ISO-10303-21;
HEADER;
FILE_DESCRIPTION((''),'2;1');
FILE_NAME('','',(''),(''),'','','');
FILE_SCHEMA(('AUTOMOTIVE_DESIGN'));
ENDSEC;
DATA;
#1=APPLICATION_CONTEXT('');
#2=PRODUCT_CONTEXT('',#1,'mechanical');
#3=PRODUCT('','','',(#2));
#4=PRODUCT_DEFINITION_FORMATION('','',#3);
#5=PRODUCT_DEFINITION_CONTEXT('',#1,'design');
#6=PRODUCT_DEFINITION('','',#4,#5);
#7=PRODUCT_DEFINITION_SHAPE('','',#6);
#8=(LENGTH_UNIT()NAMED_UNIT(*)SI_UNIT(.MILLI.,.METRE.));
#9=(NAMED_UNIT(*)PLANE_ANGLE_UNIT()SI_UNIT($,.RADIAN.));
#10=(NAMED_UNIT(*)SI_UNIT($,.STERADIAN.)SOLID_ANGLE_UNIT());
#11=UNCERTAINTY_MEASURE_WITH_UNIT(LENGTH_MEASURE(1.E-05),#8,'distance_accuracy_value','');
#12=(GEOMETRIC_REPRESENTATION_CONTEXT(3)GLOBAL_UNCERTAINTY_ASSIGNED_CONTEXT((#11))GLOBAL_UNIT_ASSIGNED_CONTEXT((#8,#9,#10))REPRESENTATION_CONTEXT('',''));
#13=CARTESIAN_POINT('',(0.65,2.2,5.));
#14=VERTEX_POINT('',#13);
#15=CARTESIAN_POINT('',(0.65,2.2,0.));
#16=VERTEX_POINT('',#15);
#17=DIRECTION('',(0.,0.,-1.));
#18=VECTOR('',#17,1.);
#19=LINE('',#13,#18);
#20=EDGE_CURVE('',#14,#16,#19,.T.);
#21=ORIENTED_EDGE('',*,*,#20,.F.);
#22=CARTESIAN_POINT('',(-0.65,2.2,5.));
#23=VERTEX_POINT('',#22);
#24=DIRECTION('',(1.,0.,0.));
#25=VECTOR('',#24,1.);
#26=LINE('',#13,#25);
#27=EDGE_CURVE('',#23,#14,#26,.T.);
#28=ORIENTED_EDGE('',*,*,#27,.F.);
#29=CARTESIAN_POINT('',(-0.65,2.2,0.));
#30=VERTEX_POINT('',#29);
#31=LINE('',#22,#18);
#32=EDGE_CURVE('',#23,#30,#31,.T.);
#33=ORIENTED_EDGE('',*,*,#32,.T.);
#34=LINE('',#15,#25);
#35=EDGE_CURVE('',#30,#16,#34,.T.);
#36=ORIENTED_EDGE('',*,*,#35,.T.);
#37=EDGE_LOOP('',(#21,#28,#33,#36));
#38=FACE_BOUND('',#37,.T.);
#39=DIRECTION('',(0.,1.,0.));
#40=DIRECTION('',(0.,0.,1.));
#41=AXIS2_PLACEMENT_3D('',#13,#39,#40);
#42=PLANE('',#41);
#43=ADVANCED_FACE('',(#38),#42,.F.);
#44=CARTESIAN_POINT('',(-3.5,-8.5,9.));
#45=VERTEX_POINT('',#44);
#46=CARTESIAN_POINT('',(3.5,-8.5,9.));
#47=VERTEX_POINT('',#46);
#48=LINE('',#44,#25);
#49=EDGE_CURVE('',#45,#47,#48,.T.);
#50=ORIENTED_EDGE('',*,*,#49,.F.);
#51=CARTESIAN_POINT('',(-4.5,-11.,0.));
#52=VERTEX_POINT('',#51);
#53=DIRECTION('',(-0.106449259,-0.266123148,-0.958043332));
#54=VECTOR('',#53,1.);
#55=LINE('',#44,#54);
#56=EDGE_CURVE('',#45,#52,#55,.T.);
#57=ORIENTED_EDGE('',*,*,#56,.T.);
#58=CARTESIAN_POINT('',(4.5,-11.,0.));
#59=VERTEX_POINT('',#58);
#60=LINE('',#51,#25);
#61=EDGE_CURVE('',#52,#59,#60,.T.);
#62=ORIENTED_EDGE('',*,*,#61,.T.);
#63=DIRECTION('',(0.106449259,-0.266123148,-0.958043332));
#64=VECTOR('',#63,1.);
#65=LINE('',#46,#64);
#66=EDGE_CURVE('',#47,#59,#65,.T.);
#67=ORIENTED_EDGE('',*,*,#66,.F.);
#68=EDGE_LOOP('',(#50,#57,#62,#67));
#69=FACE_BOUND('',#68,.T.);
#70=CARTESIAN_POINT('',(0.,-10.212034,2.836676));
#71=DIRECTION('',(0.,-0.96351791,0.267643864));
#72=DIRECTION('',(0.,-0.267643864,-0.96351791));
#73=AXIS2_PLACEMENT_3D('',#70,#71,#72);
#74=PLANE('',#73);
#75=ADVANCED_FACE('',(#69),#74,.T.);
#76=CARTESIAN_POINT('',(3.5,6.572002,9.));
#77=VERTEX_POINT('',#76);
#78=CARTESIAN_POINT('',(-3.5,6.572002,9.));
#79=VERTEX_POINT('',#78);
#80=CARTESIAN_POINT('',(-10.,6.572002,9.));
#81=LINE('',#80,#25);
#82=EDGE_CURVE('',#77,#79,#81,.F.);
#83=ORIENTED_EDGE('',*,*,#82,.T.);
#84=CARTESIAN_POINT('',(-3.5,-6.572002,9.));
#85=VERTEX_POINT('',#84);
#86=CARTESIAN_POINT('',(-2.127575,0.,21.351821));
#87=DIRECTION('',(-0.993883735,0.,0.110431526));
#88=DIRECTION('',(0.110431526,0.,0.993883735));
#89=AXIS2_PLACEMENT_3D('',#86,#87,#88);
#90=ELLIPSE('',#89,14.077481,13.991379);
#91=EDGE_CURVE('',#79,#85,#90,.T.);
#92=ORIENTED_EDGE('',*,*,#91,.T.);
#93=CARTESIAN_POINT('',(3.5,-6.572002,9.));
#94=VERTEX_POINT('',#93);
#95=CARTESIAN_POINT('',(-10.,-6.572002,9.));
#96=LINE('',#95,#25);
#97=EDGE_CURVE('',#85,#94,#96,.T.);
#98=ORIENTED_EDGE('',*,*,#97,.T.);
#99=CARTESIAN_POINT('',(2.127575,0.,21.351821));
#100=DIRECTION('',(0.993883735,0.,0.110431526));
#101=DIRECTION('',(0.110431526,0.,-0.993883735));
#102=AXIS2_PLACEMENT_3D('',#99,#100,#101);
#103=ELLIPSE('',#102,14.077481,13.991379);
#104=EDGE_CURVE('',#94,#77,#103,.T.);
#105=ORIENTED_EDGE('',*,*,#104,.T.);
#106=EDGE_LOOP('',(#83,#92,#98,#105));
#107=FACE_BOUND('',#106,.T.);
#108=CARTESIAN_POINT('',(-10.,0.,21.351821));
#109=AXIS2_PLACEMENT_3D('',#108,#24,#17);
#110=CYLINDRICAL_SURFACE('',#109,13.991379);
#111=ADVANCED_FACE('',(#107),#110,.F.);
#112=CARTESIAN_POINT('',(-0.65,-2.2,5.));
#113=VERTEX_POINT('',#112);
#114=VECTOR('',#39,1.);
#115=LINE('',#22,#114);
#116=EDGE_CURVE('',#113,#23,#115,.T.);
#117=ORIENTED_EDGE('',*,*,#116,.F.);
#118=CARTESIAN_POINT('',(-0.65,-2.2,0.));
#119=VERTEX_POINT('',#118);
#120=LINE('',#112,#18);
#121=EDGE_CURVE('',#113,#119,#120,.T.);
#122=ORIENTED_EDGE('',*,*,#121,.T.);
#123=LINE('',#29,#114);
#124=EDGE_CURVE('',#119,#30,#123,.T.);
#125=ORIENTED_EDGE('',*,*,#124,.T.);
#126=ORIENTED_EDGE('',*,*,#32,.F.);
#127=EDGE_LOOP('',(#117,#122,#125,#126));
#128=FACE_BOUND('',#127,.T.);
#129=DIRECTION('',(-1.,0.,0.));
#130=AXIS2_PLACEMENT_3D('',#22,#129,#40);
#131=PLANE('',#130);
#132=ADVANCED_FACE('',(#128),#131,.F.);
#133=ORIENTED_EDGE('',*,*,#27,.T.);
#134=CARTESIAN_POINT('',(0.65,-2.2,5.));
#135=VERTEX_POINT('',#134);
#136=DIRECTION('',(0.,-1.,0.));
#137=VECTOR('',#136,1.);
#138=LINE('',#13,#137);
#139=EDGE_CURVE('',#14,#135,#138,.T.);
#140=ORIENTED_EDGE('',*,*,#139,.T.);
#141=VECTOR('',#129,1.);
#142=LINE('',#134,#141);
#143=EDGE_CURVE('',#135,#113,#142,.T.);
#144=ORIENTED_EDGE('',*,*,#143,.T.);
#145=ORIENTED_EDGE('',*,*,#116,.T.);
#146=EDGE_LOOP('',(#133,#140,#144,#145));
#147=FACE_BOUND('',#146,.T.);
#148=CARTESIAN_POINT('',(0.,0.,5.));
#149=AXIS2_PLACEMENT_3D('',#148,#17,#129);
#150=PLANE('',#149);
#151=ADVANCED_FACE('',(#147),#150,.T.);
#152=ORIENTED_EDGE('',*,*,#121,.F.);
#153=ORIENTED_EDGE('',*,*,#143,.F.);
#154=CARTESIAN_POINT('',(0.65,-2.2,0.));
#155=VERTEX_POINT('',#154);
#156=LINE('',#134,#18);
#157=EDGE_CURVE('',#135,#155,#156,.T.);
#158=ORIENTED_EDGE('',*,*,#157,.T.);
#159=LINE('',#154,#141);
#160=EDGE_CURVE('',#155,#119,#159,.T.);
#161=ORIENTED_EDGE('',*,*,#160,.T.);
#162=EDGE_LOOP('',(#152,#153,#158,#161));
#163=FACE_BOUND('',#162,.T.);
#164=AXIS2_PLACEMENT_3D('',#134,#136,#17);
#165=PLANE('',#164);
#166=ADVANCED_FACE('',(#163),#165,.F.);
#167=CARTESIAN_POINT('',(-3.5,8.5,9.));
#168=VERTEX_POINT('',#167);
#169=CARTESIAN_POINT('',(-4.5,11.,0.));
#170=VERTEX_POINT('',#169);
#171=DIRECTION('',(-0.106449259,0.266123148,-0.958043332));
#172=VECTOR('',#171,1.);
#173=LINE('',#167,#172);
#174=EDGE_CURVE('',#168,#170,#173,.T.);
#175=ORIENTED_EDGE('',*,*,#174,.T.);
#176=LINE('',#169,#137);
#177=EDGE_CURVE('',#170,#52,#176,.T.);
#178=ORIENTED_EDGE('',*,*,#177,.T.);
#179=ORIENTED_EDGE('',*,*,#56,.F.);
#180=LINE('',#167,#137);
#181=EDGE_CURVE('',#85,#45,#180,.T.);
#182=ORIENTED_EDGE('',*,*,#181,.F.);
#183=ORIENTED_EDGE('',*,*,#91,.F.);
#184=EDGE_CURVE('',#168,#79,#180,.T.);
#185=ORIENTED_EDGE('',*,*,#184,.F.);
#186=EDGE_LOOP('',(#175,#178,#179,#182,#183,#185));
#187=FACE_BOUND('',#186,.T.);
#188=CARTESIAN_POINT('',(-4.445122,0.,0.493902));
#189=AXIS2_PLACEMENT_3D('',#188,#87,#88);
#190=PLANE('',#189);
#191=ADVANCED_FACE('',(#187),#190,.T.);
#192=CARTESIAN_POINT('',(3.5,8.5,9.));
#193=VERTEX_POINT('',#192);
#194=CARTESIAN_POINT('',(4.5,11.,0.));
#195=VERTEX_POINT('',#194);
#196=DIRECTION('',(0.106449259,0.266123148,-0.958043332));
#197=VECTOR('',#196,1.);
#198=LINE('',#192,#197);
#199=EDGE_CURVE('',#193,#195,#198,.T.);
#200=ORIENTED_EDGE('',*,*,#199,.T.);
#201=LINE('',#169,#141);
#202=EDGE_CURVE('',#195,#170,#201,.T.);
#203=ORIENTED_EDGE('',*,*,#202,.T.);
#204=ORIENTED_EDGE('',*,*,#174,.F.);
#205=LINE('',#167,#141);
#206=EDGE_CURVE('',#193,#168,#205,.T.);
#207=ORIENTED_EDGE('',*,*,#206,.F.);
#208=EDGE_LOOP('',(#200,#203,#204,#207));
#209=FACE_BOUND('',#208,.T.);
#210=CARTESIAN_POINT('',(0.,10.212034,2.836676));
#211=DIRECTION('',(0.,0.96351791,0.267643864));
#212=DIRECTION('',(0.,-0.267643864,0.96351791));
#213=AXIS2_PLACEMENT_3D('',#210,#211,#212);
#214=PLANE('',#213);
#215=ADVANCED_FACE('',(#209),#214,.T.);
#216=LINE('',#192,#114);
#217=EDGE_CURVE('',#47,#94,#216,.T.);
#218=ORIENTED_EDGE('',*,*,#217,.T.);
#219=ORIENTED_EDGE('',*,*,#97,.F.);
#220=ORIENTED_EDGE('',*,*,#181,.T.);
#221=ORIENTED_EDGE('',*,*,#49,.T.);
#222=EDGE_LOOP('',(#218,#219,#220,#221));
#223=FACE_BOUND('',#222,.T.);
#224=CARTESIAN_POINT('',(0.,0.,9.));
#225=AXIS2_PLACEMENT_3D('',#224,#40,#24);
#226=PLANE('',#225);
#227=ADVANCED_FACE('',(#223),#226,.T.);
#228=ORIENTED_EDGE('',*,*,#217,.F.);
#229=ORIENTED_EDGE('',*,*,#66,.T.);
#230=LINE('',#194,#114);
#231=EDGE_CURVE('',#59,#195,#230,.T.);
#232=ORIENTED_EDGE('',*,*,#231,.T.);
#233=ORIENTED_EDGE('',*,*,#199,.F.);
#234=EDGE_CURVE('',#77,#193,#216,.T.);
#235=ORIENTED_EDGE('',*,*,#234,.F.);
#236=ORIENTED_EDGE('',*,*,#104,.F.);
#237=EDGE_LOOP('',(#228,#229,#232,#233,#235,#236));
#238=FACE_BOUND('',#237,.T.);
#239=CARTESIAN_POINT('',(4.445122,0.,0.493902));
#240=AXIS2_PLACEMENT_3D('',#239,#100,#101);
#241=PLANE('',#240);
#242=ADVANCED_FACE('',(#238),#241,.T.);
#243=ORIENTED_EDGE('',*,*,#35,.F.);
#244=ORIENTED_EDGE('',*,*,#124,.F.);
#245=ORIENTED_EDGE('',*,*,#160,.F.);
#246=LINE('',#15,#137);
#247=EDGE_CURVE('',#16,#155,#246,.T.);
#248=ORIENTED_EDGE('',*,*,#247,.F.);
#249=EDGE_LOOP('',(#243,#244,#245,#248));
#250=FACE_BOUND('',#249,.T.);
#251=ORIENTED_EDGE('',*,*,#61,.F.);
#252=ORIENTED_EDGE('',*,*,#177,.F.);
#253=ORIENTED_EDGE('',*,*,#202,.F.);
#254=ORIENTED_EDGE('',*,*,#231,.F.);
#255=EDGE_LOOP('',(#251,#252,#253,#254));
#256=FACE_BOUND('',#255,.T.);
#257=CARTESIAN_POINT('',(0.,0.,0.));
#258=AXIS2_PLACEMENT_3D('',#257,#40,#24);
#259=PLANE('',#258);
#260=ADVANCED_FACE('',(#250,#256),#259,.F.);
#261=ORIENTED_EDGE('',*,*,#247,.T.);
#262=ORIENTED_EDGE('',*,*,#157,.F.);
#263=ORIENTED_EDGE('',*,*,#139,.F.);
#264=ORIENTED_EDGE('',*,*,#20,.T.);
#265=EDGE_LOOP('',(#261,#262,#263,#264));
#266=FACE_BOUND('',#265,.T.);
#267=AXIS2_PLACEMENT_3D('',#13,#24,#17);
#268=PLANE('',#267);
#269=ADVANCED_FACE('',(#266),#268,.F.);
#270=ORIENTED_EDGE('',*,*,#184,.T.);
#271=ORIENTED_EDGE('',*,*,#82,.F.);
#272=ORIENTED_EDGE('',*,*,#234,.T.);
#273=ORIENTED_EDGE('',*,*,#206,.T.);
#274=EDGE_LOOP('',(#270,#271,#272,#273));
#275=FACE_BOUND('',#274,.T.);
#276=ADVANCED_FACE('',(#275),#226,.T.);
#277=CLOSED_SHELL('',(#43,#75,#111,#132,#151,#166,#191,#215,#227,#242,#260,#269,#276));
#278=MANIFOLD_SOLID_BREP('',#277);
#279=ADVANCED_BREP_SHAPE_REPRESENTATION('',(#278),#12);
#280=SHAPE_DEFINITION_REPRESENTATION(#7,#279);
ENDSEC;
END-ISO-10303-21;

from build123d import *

# Parameters (mm, degrees)
SKETCH3_W          = 1.3
SKETCH3_H          = 4.4
CUT_EXTRUDE1_DEPTH = 5
CUT_EXTRUDE2_DEPTH = 10


with BuildPart() as part:
    # Sketch2 → Loft1 section 0
    with BuildSketch(Plane.XY.offset(9)):
        with BuildLine():
            Line((-3.5, 8.5), (3.5, 8.5))
            Line((3.5, 8.5), (3.5, -8.5))
            Line((3.5, -8.5), (-3.5, -8.5))
            Line((-3.5, -8.5), (-3.5, 8.5))
        make_face()
    # Sketch1 → Loft1 section 1
    with BuildSketch(Plane.XY):
        with BuildLine():
            Line((-4.5, 11), (4.5, 11))
            Line((4.5, 11), (4.5, -11))
            Line((4.5, -11), (-4.5, -11))
            Line((-4.5, -11), (-4.5, 11))
        make_face()
    loft()

    # Sketch3 → Cut-Extrude1 (cut)
    with BuildSketch(Plane(origin=(0, 0, 0), x_dir=(-1, 0, 0), z_dir=(0, 0, -1))):
        Rectangle(SKETCH3_W, SKETCH3_H)
    extrude(amount=-CUT_EXTRUDE1_DEPTH, mode=Mode.SUBTRACT)

    # Sketch4 → Cut-Extrude2 (cut, symmetric)
    with BuildSketch(Plane(origin=(0, 0, 0), x_dir=(0, 0, -1), z_dir=(1, 0, 0))):
        with BuildLine():
            Line((-9.861070231, 7.982564486), (-10.140578955, -8.37058785))
            ThreePointArc((-10.140578955, -8.37058785), (-7.362485205, -0.239106283), (-9.861070231, 7.982564486))
        make_face()
    extrude(amount=CUT_EXTRUDE2_DEPTH, both=True, mode=Mode.SUBTRACT)


solid = part.part
